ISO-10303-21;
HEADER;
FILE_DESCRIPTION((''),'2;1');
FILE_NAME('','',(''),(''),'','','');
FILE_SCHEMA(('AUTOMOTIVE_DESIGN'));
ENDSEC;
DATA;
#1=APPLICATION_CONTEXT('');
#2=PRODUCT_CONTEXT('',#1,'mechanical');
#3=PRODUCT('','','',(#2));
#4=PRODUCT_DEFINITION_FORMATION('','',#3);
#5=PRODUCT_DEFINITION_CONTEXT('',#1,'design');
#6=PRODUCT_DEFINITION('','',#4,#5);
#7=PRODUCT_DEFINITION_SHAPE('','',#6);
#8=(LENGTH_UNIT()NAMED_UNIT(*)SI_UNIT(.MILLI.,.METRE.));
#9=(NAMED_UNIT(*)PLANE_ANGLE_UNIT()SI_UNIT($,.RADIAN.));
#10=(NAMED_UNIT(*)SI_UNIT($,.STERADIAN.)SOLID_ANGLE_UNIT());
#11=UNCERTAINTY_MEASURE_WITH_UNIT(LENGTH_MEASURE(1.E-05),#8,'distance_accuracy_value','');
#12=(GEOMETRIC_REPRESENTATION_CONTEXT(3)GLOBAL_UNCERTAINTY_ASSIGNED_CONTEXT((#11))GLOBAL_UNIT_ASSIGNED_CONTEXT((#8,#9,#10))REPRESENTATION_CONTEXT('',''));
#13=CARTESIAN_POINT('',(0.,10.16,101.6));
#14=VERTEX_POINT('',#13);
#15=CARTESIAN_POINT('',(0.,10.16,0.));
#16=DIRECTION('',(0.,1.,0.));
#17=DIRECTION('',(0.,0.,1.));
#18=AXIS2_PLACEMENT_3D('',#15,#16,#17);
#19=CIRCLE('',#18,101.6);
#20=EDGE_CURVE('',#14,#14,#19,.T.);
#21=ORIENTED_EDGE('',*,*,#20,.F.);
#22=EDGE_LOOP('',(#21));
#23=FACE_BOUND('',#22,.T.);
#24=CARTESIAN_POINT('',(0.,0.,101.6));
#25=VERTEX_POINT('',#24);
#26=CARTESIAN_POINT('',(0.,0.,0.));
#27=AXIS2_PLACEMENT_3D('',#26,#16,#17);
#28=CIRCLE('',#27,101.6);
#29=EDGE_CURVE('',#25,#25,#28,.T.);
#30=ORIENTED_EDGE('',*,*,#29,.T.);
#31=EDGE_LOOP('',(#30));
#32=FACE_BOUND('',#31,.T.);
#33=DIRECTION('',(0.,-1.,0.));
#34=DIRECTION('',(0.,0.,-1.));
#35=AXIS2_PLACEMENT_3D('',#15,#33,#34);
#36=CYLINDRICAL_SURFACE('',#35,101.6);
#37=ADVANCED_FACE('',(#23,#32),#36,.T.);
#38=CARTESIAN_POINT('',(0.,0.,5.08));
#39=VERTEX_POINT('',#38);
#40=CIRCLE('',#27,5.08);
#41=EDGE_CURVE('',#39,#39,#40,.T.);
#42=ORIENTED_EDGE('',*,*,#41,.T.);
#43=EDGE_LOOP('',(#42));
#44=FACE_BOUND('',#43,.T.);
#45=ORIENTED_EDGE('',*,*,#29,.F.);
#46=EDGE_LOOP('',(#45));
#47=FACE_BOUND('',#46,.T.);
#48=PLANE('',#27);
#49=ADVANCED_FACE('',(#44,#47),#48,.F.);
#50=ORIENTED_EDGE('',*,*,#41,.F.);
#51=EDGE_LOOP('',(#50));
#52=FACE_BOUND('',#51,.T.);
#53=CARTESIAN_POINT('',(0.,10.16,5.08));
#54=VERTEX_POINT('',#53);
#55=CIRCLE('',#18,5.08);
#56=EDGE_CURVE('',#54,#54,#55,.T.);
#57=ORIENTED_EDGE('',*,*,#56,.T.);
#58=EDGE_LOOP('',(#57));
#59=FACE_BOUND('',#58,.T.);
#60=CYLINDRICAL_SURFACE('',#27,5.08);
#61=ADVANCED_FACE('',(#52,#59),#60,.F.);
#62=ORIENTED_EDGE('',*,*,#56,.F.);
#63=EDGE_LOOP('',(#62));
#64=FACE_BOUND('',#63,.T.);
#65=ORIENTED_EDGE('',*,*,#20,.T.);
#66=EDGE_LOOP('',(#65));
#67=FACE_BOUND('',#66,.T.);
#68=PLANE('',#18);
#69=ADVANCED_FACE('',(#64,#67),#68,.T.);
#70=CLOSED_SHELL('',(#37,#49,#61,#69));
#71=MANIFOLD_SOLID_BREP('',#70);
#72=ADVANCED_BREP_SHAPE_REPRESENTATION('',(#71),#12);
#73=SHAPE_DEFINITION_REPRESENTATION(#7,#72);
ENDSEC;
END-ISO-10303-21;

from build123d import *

# Parameters (mm, degrees)
SKETCH1_R           = 101.6
BOSS_EXTRUDE1_DEPTH = 10.16
SKETCH2_R           = 5.08
CUT_EXTRUDE1_DEPTH  = 10.16


with BuildPart() as part:
    # Sketch1 → Boss-Extrude1 (new body)
    with BuildSketch(Plane(origin=(0, 0, 0), x_dir=(1, 0, 0), z_dir=(0, 1, 0))):
        with Locations(Location((0, 0, 0), (0, 0, 270))):
            Circle(SKETCH1_R)
    extrude(amount=BOSS_EXTRUDE1_DEPTH)

    # Sketch2 → Cut-Extrude1 (cut)
    with BuildSketch(Plane(origin=(0, 10.16, 0), x_dir=(1, 0, 0), z_dir=(0, 1, 0))):
        with Locations(Location((0, 0, 0), (0, 0, 270))):
            Circle(SKETCH2_R)
    extrude(amount=-CUT_EXTRUDE1_DEPTH, mode=Mode.SUBTRACT)


solid = part.part
